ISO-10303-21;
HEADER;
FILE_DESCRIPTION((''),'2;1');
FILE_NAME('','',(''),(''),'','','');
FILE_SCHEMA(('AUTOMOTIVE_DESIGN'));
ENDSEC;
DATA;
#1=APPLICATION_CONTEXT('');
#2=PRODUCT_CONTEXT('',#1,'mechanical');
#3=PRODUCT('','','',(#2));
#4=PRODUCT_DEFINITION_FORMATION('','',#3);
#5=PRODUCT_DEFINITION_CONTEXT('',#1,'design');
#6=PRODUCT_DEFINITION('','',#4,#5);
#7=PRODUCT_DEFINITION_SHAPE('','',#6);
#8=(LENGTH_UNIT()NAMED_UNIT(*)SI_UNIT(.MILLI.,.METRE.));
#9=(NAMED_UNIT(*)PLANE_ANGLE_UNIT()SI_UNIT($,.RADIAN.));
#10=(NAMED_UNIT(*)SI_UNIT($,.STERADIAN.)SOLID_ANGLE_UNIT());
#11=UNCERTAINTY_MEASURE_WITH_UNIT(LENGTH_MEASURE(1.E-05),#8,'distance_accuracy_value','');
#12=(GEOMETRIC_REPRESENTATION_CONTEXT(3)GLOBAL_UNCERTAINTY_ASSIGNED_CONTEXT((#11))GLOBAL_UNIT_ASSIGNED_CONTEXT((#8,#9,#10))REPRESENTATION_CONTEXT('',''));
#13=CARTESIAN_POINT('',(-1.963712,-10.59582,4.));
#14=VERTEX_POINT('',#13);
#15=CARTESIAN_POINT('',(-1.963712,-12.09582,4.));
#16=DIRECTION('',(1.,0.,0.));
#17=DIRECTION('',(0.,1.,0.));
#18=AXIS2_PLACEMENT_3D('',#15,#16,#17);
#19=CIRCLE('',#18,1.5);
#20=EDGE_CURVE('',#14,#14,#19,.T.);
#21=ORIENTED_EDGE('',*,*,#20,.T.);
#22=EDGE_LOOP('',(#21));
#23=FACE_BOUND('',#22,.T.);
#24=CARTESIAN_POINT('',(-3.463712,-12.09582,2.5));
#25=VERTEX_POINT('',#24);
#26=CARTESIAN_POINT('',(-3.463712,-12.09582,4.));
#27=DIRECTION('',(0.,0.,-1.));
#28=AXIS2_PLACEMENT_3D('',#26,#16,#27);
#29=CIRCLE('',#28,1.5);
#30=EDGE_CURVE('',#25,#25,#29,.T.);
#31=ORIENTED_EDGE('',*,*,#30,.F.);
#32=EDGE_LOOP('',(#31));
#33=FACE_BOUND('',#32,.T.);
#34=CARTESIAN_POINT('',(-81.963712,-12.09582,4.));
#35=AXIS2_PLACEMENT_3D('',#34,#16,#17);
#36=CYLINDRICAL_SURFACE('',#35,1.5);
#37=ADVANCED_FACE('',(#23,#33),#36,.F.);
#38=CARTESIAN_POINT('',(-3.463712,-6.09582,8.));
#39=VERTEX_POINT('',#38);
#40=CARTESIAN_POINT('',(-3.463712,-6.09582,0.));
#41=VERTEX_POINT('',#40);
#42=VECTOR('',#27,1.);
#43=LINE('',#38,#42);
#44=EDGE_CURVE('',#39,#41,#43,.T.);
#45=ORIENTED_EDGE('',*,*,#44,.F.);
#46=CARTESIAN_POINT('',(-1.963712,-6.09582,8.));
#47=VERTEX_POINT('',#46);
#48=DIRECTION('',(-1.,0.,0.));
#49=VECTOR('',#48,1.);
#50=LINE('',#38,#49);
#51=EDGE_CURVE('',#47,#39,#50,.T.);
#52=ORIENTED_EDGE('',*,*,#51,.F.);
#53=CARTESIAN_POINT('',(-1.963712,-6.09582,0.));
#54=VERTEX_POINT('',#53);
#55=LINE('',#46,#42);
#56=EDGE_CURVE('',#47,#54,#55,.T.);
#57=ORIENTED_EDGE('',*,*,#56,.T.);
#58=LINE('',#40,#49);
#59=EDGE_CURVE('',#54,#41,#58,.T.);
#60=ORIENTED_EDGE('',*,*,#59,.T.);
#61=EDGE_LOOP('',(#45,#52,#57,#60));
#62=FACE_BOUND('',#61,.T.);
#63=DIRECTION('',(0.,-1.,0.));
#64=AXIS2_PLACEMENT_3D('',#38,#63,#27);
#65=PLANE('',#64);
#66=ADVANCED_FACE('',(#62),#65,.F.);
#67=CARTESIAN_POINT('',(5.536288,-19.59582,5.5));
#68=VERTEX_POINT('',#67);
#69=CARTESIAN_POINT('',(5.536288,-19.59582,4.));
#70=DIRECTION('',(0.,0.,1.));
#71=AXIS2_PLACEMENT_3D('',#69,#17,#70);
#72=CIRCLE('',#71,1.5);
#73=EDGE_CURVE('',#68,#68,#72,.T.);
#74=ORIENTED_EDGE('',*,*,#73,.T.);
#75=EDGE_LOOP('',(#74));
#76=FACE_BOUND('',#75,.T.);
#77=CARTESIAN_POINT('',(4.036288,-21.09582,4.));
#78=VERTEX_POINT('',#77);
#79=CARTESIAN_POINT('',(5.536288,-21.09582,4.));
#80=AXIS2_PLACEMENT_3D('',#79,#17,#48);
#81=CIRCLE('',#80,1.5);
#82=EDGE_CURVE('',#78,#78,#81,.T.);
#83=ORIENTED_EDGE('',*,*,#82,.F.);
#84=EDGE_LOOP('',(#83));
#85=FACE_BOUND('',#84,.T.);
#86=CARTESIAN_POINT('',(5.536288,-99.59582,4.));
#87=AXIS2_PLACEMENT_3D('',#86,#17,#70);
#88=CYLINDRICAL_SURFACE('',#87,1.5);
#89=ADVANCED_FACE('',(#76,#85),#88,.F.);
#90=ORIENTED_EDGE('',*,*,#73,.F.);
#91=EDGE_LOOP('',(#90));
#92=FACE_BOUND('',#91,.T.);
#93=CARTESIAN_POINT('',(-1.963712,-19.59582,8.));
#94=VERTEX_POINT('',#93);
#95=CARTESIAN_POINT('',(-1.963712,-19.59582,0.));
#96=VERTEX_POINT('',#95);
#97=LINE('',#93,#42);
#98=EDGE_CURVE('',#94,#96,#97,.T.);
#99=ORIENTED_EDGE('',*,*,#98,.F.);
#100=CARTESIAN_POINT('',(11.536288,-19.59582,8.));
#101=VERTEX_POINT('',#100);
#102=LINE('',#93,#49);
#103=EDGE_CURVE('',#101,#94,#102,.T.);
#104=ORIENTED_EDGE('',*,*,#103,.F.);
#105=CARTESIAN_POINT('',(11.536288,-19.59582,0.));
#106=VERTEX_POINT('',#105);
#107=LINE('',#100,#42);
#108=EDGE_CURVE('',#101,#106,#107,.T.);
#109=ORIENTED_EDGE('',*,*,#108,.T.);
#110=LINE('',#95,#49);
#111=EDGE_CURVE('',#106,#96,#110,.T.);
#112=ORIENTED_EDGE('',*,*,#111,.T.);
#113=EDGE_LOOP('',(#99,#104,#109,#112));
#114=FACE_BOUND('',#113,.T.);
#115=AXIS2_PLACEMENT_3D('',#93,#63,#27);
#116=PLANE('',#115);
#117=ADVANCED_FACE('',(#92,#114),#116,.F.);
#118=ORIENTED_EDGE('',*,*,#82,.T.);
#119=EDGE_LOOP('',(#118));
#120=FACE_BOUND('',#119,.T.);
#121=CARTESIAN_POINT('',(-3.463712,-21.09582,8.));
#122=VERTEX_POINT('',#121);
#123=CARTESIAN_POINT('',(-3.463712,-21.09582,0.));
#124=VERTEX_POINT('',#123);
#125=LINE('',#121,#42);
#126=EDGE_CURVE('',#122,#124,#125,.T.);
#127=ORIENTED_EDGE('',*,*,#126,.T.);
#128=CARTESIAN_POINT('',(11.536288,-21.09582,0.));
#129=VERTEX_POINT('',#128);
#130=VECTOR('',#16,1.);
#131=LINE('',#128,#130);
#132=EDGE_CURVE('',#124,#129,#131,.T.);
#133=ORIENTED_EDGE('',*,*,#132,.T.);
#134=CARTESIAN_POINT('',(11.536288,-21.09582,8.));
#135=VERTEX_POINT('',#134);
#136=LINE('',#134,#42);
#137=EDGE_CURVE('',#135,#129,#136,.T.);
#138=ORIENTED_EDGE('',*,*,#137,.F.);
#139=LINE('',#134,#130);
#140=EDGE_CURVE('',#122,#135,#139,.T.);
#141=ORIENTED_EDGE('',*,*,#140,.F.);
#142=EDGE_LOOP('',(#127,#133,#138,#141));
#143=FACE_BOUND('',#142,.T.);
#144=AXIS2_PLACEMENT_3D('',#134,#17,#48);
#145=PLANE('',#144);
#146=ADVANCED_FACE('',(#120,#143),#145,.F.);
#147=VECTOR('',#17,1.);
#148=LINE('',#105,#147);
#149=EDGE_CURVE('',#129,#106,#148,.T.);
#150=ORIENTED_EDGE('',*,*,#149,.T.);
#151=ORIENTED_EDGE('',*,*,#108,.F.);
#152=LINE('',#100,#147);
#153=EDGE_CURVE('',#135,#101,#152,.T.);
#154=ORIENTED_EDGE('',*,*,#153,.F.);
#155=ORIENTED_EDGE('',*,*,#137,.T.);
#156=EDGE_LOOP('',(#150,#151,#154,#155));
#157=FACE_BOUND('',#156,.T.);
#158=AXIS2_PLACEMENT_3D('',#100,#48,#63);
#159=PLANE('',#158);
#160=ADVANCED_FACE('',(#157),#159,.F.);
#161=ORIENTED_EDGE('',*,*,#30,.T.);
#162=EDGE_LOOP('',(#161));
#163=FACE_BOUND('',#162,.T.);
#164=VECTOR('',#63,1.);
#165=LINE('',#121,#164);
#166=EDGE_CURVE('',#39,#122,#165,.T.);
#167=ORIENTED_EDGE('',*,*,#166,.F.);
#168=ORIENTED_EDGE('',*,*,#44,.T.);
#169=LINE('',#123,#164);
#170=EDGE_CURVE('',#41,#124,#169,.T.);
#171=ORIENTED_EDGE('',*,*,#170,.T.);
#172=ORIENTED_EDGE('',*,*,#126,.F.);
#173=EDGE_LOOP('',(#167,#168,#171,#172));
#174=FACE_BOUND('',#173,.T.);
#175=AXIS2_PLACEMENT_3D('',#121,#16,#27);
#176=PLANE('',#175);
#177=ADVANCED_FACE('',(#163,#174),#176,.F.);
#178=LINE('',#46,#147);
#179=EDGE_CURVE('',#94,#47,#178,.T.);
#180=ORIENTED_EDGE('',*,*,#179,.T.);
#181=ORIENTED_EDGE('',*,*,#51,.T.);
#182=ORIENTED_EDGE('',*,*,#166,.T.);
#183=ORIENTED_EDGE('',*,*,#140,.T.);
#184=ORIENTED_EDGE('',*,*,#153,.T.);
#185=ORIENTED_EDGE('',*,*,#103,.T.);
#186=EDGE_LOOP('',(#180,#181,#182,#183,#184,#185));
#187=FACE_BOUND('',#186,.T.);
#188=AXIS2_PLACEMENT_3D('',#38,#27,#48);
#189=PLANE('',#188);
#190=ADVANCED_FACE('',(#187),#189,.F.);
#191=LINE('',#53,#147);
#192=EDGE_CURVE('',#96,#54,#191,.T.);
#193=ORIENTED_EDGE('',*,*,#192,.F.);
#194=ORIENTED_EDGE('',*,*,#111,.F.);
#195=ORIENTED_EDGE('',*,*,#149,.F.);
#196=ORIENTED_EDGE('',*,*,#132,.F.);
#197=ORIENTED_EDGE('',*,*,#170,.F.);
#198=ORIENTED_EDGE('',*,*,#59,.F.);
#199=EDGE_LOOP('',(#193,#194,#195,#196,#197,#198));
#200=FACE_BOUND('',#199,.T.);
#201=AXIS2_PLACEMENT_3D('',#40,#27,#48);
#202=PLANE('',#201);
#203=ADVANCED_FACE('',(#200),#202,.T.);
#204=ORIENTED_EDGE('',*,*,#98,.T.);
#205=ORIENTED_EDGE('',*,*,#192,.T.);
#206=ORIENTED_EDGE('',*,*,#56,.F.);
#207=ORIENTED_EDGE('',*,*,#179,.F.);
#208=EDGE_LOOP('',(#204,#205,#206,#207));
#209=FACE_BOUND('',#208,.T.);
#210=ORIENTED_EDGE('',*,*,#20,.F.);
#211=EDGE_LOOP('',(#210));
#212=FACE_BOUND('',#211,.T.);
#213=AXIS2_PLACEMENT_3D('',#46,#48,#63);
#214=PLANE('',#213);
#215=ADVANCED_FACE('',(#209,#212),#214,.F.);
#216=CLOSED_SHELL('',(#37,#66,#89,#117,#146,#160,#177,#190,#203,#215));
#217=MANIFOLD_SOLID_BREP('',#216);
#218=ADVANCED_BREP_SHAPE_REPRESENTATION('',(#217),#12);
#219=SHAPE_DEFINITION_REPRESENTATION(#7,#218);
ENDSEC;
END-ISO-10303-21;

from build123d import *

# Parameters (mm, degrees)
EXTRUSION1_DEPTH = 8
ESQUISSE2_R      = 1.5
EXTRUSION2_DEPTH = 80
ESQUISSE3_R      = 1.5
EXTRUSION3_DEPTH = 80


with BuildPart() as part:
    # Esquisse1 → Extrusion1 (new body)
    with BuildSketch(Plane.XY):
        Polygon((-3.463711982, -6.095820103), (-1.963711982, -6.095820103), (-1.963711982, -19.595820103), (11.536288018, -19.595820103), (11.536288018, -21.095820103), (-3.463711982, -21.095820103), align=None)
    extrude(amount=EXTRUSION1_DEPTH)

    # Esquisse2 → Extrusion2 (cut)
    with BuildSketch(Plane(origin=(-1.963711982, 0, 0), x_dir=(0, 0, -1), z_dir=(1, 0, 0))):
        with Locations(Location((-4, -12.095820103, 0), (0, 0, 90))):
            Circle(ESQUISSE2_R)
    extrude(amount=-EXTRUSION2_DEPTH, mode=Mode.SUBTRACT)

    # Esquisse3 → Extrusion3 (cut)
    with BuildSketch(Plane(origin=(0, -19.595820103, 0), x_dir=(-1, 0, 0), z_dir=(0, 1, 0))):
        with Locations(Location((-5.536288018, 4, 0), (0, 0, 90))):
            Circle(ESQUISSE3_R)
    extrude(amount=-EXTRUSION3_DEPTH, mode=Mode.SUBTRACT)


solid = part.part
